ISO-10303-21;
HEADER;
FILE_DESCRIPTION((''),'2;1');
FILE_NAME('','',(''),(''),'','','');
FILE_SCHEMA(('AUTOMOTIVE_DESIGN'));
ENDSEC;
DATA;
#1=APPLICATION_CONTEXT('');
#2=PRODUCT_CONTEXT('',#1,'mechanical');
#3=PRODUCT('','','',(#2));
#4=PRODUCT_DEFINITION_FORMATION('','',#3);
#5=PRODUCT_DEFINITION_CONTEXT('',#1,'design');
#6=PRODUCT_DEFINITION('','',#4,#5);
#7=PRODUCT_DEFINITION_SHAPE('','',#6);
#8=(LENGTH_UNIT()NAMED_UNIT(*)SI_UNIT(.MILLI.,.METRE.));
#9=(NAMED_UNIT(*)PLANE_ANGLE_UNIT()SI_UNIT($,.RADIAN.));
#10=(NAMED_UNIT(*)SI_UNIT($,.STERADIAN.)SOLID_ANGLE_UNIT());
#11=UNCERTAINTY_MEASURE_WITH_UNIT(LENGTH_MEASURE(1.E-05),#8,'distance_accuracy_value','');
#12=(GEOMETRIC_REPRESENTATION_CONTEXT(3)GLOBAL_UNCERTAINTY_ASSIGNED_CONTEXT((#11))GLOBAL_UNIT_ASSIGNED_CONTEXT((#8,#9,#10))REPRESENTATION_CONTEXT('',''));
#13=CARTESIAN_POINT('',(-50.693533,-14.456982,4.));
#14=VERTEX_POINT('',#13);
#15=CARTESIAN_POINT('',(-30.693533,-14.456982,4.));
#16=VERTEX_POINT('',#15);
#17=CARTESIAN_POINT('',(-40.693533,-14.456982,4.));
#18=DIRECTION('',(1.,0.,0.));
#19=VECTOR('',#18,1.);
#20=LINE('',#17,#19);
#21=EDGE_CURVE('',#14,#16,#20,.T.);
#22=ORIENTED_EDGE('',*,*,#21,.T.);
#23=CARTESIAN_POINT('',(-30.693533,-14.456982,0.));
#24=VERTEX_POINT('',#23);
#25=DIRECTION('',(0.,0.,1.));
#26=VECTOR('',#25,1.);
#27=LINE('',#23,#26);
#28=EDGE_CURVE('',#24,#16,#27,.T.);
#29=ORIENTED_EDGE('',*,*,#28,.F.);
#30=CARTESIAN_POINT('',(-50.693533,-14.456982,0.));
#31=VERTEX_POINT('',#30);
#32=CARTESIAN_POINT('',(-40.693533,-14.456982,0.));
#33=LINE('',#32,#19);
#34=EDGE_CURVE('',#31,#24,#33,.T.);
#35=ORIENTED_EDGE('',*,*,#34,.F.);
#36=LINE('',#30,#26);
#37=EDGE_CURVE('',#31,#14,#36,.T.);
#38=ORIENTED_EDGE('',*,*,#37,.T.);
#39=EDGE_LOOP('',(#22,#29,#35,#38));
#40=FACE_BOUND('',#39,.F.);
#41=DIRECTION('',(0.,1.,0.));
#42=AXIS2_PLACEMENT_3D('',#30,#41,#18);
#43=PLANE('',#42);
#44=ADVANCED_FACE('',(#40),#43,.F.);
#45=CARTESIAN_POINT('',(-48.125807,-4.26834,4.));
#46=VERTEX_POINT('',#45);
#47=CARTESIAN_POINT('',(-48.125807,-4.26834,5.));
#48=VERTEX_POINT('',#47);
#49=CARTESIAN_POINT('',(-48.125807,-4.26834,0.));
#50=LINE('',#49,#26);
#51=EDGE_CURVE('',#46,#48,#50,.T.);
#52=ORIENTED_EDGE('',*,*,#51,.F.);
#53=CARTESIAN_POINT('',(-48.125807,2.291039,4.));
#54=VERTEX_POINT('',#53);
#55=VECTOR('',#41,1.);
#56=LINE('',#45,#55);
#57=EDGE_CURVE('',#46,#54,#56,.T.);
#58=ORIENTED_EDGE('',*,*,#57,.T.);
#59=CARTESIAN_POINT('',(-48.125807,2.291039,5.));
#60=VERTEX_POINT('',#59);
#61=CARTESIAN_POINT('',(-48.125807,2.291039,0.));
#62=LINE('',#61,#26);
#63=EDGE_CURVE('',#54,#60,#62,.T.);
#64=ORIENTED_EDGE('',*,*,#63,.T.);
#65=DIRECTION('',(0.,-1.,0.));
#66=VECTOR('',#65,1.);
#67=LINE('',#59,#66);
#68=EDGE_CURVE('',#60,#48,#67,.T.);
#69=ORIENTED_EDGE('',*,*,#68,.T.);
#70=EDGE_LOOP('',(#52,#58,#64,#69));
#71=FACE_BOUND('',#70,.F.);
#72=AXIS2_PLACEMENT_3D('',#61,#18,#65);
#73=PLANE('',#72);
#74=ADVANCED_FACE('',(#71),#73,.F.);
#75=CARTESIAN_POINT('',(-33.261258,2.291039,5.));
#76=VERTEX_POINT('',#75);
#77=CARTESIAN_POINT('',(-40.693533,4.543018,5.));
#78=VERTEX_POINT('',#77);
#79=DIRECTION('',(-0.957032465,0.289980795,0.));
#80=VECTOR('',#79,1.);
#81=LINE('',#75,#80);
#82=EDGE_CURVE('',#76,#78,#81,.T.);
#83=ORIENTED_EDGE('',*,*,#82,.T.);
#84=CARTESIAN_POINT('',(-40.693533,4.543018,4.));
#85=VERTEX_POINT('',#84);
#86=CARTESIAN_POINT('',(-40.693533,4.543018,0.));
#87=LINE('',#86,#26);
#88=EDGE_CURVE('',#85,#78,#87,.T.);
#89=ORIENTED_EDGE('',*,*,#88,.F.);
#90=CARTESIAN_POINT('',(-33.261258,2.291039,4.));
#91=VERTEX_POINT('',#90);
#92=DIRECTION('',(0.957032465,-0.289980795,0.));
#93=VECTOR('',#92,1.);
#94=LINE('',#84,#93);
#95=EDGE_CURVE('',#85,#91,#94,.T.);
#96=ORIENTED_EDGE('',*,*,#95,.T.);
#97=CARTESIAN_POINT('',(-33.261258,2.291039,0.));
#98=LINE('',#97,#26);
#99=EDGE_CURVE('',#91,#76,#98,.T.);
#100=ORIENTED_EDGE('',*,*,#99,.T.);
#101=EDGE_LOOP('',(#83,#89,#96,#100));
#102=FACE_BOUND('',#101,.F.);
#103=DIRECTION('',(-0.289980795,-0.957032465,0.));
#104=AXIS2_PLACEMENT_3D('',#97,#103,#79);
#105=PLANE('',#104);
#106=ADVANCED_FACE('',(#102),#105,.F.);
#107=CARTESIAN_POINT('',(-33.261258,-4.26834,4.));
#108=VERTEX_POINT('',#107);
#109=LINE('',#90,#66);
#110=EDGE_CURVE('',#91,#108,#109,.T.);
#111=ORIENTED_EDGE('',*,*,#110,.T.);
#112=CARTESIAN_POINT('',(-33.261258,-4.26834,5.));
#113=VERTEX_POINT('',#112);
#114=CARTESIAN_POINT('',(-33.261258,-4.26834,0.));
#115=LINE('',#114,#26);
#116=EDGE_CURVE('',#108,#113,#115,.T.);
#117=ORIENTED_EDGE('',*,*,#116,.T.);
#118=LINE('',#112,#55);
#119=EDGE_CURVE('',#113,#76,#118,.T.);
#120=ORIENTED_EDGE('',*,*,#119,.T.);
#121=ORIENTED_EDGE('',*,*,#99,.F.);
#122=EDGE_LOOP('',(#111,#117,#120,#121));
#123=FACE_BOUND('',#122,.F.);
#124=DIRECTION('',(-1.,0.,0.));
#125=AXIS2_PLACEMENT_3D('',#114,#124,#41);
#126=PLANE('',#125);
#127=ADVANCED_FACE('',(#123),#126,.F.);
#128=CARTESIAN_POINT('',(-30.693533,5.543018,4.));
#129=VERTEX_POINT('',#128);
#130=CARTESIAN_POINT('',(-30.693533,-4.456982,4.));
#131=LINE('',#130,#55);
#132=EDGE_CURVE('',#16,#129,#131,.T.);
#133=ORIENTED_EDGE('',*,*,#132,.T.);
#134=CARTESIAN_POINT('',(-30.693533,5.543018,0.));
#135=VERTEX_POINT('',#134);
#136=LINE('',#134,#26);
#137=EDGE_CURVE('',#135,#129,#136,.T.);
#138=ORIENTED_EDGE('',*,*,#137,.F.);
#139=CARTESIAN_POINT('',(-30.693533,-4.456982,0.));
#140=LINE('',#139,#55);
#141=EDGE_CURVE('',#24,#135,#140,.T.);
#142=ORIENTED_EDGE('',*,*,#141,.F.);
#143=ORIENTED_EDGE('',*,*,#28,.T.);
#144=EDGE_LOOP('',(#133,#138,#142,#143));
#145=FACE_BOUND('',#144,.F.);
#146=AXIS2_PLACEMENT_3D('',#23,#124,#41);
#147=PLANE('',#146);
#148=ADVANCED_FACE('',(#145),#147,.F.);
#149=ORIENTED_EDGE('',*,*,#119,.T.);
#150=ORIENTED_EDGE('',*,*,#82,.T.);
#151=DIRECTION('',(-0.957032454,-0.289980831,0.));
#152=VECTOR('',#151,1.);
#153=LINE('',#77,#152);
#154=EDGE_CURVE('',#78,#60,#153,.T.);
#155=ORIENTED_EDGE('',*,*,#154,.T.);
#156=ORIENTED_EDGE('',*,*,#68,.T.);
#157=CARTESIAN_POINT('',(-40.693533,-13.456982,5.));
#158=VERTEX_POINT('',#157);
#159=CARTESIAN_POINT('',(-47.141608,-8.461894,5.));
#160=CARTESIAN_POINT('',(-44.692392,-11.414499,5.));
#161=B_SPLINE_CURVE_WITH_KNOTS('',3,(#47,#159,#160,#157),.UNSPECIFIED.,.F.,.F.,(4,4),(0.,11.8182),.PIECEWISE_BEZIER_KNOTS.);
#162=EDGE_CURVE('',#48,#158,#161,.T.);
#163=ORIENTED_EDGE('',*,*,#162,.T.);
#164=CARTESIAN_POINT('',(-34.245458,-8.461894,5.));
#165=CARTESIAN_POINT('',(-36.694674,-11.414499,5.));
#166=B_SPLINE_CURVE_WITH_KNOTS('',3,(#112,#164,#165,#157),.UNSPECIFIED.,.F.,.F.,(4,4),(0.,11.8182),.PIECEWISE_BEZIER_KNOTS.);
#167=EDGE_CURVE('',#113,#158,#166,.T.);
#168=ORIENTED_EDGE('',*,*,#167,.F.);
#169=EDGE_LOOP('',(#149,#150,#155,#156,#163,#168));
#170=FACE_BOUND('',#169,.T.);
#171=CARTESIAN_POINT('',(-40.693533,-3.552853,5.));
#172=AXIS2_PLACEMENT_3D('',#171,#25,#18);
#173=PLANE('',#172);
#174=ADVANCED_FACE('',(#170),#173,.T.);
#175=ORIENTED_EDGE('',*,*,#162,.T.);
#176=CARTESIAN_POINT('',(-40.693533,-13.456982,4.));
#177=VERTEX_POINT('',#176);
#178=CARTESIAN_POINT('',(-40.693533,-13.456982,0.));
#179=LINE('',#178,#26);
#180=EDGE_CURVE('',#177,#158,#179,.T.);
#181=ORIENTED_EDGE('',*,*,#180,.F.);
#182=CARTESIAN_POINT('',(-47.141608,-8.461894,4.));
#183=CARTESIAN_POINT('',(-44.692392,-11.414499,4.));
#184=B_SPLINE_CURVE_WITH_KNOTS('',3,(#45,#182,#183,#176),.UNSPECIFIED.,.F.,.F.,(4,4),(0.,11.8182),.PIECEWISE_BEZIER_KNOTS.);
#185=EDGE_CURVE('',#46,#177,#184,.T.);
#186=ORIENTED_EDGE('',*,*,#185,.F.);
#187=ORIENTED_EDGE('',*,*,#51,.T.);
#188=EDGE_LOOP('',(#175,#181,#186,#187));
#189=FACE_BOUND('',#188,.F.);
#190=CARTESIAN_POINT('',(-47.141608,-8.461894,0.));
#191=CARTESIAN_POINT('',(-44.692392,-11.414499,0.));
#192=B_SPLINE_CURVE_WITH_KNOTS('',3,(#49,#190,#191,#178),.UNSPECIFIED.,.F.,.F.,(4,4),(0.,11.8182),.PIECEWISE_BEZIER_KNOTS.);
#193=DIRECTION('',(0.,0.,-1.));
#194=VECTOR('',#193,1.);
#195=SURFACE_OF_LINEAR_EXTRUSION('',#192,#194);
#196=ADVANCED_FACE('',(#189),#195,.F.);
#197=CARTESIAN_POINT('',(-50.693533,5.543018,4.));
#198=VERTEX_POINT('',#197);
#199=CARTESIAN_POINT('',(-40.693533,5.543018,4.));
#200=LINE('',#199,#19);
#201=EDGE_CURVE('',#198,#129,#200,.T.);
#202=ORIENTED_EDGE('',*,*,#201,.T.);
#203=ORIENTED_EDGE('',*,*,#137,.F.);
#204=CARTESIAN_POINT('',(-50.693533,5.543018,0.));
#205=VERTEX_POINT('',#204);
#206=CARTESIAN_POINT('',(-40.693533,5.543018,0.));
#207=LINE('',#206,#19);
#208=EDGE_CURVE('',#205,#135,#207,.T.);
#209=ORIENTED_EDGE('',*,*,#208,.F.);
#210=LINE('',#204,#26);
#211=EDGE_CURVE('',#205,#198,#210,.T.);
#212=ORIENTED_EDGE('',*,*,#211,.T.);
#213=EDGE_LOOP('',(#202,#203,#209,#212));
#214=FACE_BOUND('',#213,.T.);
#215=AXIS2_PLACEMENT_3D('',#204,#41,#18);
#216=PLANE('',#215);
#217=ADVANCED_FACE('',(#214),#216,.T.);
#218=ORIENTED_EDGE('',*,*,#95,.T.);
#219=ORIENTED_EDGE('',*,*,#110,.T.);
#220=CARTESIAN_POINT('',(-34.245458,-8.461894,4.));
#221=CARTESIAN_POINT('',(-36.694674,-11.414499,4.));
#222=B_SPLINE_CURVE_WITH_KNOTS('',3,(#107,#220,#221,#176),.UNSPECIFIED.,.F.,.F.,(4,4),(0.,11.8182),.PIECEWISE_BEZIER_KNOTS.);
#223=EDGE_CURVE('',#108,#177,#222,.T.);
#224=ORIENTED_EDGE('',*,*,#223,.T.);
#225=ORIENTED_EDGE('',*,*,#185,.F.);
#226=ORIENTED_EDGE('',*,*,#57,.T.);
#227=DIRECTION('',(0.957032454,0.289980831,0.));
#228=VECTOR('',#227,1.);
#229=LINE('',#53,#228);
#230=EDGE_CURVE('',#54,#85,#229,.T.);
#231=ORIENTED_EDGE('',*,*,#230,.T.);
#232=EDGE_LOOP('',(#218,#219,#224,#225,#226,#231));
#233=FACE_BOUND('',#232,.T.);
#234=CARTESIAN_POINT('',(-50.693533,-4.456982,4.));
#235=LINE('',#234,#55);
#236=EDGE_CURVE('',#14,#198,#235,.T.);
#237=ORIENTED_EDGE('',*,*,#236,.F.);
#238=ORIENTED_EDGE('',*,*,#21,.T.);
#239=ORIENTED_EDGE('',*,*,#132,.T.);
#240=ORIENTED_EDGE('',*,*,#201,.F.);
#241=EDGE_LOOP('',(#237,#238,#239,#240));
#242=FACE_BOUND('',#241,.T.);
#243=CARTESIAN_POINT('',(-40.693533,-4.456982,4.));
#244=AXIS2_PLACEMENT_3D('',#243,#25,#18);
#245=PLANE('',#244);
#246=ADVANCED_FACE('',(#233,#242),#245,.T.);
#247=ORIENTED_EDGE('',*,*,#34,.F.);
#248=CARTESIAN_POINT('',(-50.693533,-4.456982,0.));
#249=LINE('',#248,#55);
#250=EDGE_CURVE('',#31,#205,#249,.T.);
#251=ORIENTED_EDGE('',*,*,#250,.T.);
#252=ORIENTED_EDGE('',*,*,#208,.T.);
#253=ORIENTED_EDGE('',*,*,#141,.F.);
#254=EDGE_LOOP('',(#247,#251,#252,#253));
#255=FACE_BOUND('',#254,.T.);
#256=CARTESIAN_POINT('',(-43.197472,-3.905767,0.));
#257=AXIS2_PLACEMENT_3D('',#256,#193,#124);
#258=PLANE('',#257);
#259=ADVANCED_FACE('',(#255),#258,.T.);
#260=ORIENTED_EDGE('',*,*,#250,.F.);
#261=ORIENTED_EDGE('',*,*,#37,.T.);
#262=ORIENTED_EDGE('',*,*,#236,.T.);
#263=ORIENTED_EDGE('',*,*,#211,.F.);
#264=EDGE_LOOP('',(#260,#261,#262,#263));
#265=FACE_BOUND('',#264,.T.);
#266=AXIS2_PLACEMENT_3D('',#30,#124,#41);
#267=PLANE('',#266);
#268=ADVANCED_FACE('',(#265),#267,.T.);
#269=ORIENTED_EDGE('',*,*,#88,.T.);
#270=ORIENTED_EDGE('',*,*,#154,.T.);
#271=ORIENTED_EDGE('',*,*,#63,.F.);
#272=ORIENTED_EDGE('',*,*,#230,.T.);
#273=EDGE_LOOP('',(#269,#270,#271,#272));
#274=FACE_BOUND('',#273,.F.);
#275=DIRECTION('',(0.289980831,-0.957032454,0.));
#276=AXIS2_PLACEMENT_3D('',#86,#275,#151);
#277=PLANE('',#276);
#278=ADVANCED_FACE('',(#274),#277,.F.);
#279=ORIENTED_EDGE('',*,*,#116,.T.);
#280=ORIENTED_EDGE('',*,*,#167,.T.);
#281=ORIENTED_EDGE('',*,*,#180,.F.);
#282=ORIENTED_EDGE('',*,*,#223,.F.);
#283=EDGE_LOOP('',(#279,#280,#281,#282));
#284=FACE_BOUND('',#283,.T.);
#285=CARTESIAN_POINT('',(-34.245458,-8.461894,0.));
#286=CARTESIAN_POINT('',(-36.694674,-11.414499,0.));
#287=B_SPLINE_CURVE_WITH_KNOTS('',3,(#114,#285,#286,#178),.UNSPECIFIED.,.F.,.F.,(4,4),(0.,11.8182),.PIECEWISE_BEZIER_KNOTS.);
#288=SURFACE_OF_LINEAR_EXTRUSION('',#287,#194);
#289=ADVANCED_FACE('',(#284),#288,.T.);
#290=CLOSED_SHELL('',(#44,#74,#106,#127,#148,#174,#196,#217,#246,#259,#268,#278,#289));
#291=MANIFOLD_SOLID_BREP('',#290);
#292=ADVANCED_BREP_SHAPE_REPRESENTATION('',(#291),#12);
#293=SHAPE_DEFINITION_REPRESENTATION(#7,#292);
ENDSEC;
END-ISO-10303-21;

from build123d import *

# Parameters (mm, degrees)
F0_W     = 20
F0_H     = 20
F1_DEPTH = 4
F2_DEPTH = 5
F3_DEPTH = 5


with BuildPart() as f1:
    # F0 (on Top) → F1 (new body)
    with BuildSketch(Plane.XY):
        with Locations((-40.693533, -4.456982)):
            Rectangle(F0_W, F0_H)
        with BuildLine():
            Line((-48.125807, -4.26834), (-48.125807, 2.291039))
            Line((-48.125807, 2.291039), (-40.693533, 4.543018))
            Line((-40.693533, 4.543018), (-33.261258, 2.291039))
            Line((-33.261258, 2.291039), (-33.261258, -4.26834))
            add(Edge.make_bspline(
                [(-33.261258, -4.26834), (-34.245458, -8.461894), (-36.694674, -11.414499), (-40.693533, -13.456982)],
                knots=[0, 0, 0, 0, 11.8182, 11.8182, 11.8182, 11.8182], degree=3))
            add(Edge.make_bspline(
                [(-48.125807, -4.26834), (-47.141608, -8.461894), (-44.692392, -11.414499), (-40.693533, -13.456982)],
                knots=[0, 0, 0, 0, 11.8182, 11.8182, 11.8182, 11.8182], degree=3))
        make_face(mode=Mode.SUBTRACT)
    extrude(amount=F1_DEPTH)

    # F0 (on Top) → F2 (join)
    with BuildSketch(Plane.XY):
        with BuildLine():
            Line((-40.693533, 4.543018), (-48.125807, 2.291039))
            Line((-48.125807, 2.291039), (-48.125807, -4.26834))
            add(Edge.make_bspline(
                [(-48.125807, -4.26834), (-47.141608, -8.461894), (-44.692392, -11.414499), (-40.693533, -13.456982)],
                knots=[0, 0, 0, 0, 11.8182, 11.8182, 11.8182, 11.8182], degree=3))
            add(Edge.make_bspline(
                [(-33.261258, -4.26834), (-34.245458, -8.461894), (-36.694674, -11.414499), (-40.693533, -13.456982)],
                knots=[0, 0, 0, 0, 11.8182, 11.8182, 11.8182, 11.8182], degree=3))
            Line((-33.261258, -4.26834), (-33.261258, 2.291039))
            Line((-33.261258, 2.291039), (-40.693533, 4.543018))
        make_face()
        with BuildLine():
            Line((-40.693533, 3.262941), (-40.693533, -12.135648))
            add(Edge.make_bspline(
                [(-40.693533, -12.135648), (-44.436548, -10.041109), (-47.01202, -6.495423), (-47.08004, -3.659984)],
                knots=[0, 0, 0, 0, 10.612463, 10.612463, 10.612463, 10.612463], degree=3))
            Line((-47.08004, -3.659984), (-47.08004, 1.440438))
            Line((-47.08004, 1.440438), (-40.693533, 3.340149))
            Line((-40.693533, 3.340149), (-40.693533, 3.262941))
        make_face(mode=Mode.SUBTRACT)
    extrude(amount=F2_DEPTH)

    # F0 (on Top) → F3 (join)
    with BuildSketch(Plane.XY):
        with BuildLine():
            add(Edge.make_bspline(
                [(-40.693533, -12.135648), (-44.436548, -10.041109), (-47.01202, -6.495423), (-47.08004, -3.659984)],
                knots=[0, 0, 0, 0, 10.612463, 10.612463, 10.612463, 10.612463], degree=3))
            Line((-40.693533, -12.135648), (-40.693533, 3.262941))
            Line((-40.693533, 3.262941), (-40.693533, 3.340149))
            Line((-40.693533, 3.340149), (-47.08004, 1.440438))
            Line((-47.08004, 1.440438), (-47.08004, -3.659984))
        make_face()
    extrude(amount=F3_DEPTH)


solid = f1.part
